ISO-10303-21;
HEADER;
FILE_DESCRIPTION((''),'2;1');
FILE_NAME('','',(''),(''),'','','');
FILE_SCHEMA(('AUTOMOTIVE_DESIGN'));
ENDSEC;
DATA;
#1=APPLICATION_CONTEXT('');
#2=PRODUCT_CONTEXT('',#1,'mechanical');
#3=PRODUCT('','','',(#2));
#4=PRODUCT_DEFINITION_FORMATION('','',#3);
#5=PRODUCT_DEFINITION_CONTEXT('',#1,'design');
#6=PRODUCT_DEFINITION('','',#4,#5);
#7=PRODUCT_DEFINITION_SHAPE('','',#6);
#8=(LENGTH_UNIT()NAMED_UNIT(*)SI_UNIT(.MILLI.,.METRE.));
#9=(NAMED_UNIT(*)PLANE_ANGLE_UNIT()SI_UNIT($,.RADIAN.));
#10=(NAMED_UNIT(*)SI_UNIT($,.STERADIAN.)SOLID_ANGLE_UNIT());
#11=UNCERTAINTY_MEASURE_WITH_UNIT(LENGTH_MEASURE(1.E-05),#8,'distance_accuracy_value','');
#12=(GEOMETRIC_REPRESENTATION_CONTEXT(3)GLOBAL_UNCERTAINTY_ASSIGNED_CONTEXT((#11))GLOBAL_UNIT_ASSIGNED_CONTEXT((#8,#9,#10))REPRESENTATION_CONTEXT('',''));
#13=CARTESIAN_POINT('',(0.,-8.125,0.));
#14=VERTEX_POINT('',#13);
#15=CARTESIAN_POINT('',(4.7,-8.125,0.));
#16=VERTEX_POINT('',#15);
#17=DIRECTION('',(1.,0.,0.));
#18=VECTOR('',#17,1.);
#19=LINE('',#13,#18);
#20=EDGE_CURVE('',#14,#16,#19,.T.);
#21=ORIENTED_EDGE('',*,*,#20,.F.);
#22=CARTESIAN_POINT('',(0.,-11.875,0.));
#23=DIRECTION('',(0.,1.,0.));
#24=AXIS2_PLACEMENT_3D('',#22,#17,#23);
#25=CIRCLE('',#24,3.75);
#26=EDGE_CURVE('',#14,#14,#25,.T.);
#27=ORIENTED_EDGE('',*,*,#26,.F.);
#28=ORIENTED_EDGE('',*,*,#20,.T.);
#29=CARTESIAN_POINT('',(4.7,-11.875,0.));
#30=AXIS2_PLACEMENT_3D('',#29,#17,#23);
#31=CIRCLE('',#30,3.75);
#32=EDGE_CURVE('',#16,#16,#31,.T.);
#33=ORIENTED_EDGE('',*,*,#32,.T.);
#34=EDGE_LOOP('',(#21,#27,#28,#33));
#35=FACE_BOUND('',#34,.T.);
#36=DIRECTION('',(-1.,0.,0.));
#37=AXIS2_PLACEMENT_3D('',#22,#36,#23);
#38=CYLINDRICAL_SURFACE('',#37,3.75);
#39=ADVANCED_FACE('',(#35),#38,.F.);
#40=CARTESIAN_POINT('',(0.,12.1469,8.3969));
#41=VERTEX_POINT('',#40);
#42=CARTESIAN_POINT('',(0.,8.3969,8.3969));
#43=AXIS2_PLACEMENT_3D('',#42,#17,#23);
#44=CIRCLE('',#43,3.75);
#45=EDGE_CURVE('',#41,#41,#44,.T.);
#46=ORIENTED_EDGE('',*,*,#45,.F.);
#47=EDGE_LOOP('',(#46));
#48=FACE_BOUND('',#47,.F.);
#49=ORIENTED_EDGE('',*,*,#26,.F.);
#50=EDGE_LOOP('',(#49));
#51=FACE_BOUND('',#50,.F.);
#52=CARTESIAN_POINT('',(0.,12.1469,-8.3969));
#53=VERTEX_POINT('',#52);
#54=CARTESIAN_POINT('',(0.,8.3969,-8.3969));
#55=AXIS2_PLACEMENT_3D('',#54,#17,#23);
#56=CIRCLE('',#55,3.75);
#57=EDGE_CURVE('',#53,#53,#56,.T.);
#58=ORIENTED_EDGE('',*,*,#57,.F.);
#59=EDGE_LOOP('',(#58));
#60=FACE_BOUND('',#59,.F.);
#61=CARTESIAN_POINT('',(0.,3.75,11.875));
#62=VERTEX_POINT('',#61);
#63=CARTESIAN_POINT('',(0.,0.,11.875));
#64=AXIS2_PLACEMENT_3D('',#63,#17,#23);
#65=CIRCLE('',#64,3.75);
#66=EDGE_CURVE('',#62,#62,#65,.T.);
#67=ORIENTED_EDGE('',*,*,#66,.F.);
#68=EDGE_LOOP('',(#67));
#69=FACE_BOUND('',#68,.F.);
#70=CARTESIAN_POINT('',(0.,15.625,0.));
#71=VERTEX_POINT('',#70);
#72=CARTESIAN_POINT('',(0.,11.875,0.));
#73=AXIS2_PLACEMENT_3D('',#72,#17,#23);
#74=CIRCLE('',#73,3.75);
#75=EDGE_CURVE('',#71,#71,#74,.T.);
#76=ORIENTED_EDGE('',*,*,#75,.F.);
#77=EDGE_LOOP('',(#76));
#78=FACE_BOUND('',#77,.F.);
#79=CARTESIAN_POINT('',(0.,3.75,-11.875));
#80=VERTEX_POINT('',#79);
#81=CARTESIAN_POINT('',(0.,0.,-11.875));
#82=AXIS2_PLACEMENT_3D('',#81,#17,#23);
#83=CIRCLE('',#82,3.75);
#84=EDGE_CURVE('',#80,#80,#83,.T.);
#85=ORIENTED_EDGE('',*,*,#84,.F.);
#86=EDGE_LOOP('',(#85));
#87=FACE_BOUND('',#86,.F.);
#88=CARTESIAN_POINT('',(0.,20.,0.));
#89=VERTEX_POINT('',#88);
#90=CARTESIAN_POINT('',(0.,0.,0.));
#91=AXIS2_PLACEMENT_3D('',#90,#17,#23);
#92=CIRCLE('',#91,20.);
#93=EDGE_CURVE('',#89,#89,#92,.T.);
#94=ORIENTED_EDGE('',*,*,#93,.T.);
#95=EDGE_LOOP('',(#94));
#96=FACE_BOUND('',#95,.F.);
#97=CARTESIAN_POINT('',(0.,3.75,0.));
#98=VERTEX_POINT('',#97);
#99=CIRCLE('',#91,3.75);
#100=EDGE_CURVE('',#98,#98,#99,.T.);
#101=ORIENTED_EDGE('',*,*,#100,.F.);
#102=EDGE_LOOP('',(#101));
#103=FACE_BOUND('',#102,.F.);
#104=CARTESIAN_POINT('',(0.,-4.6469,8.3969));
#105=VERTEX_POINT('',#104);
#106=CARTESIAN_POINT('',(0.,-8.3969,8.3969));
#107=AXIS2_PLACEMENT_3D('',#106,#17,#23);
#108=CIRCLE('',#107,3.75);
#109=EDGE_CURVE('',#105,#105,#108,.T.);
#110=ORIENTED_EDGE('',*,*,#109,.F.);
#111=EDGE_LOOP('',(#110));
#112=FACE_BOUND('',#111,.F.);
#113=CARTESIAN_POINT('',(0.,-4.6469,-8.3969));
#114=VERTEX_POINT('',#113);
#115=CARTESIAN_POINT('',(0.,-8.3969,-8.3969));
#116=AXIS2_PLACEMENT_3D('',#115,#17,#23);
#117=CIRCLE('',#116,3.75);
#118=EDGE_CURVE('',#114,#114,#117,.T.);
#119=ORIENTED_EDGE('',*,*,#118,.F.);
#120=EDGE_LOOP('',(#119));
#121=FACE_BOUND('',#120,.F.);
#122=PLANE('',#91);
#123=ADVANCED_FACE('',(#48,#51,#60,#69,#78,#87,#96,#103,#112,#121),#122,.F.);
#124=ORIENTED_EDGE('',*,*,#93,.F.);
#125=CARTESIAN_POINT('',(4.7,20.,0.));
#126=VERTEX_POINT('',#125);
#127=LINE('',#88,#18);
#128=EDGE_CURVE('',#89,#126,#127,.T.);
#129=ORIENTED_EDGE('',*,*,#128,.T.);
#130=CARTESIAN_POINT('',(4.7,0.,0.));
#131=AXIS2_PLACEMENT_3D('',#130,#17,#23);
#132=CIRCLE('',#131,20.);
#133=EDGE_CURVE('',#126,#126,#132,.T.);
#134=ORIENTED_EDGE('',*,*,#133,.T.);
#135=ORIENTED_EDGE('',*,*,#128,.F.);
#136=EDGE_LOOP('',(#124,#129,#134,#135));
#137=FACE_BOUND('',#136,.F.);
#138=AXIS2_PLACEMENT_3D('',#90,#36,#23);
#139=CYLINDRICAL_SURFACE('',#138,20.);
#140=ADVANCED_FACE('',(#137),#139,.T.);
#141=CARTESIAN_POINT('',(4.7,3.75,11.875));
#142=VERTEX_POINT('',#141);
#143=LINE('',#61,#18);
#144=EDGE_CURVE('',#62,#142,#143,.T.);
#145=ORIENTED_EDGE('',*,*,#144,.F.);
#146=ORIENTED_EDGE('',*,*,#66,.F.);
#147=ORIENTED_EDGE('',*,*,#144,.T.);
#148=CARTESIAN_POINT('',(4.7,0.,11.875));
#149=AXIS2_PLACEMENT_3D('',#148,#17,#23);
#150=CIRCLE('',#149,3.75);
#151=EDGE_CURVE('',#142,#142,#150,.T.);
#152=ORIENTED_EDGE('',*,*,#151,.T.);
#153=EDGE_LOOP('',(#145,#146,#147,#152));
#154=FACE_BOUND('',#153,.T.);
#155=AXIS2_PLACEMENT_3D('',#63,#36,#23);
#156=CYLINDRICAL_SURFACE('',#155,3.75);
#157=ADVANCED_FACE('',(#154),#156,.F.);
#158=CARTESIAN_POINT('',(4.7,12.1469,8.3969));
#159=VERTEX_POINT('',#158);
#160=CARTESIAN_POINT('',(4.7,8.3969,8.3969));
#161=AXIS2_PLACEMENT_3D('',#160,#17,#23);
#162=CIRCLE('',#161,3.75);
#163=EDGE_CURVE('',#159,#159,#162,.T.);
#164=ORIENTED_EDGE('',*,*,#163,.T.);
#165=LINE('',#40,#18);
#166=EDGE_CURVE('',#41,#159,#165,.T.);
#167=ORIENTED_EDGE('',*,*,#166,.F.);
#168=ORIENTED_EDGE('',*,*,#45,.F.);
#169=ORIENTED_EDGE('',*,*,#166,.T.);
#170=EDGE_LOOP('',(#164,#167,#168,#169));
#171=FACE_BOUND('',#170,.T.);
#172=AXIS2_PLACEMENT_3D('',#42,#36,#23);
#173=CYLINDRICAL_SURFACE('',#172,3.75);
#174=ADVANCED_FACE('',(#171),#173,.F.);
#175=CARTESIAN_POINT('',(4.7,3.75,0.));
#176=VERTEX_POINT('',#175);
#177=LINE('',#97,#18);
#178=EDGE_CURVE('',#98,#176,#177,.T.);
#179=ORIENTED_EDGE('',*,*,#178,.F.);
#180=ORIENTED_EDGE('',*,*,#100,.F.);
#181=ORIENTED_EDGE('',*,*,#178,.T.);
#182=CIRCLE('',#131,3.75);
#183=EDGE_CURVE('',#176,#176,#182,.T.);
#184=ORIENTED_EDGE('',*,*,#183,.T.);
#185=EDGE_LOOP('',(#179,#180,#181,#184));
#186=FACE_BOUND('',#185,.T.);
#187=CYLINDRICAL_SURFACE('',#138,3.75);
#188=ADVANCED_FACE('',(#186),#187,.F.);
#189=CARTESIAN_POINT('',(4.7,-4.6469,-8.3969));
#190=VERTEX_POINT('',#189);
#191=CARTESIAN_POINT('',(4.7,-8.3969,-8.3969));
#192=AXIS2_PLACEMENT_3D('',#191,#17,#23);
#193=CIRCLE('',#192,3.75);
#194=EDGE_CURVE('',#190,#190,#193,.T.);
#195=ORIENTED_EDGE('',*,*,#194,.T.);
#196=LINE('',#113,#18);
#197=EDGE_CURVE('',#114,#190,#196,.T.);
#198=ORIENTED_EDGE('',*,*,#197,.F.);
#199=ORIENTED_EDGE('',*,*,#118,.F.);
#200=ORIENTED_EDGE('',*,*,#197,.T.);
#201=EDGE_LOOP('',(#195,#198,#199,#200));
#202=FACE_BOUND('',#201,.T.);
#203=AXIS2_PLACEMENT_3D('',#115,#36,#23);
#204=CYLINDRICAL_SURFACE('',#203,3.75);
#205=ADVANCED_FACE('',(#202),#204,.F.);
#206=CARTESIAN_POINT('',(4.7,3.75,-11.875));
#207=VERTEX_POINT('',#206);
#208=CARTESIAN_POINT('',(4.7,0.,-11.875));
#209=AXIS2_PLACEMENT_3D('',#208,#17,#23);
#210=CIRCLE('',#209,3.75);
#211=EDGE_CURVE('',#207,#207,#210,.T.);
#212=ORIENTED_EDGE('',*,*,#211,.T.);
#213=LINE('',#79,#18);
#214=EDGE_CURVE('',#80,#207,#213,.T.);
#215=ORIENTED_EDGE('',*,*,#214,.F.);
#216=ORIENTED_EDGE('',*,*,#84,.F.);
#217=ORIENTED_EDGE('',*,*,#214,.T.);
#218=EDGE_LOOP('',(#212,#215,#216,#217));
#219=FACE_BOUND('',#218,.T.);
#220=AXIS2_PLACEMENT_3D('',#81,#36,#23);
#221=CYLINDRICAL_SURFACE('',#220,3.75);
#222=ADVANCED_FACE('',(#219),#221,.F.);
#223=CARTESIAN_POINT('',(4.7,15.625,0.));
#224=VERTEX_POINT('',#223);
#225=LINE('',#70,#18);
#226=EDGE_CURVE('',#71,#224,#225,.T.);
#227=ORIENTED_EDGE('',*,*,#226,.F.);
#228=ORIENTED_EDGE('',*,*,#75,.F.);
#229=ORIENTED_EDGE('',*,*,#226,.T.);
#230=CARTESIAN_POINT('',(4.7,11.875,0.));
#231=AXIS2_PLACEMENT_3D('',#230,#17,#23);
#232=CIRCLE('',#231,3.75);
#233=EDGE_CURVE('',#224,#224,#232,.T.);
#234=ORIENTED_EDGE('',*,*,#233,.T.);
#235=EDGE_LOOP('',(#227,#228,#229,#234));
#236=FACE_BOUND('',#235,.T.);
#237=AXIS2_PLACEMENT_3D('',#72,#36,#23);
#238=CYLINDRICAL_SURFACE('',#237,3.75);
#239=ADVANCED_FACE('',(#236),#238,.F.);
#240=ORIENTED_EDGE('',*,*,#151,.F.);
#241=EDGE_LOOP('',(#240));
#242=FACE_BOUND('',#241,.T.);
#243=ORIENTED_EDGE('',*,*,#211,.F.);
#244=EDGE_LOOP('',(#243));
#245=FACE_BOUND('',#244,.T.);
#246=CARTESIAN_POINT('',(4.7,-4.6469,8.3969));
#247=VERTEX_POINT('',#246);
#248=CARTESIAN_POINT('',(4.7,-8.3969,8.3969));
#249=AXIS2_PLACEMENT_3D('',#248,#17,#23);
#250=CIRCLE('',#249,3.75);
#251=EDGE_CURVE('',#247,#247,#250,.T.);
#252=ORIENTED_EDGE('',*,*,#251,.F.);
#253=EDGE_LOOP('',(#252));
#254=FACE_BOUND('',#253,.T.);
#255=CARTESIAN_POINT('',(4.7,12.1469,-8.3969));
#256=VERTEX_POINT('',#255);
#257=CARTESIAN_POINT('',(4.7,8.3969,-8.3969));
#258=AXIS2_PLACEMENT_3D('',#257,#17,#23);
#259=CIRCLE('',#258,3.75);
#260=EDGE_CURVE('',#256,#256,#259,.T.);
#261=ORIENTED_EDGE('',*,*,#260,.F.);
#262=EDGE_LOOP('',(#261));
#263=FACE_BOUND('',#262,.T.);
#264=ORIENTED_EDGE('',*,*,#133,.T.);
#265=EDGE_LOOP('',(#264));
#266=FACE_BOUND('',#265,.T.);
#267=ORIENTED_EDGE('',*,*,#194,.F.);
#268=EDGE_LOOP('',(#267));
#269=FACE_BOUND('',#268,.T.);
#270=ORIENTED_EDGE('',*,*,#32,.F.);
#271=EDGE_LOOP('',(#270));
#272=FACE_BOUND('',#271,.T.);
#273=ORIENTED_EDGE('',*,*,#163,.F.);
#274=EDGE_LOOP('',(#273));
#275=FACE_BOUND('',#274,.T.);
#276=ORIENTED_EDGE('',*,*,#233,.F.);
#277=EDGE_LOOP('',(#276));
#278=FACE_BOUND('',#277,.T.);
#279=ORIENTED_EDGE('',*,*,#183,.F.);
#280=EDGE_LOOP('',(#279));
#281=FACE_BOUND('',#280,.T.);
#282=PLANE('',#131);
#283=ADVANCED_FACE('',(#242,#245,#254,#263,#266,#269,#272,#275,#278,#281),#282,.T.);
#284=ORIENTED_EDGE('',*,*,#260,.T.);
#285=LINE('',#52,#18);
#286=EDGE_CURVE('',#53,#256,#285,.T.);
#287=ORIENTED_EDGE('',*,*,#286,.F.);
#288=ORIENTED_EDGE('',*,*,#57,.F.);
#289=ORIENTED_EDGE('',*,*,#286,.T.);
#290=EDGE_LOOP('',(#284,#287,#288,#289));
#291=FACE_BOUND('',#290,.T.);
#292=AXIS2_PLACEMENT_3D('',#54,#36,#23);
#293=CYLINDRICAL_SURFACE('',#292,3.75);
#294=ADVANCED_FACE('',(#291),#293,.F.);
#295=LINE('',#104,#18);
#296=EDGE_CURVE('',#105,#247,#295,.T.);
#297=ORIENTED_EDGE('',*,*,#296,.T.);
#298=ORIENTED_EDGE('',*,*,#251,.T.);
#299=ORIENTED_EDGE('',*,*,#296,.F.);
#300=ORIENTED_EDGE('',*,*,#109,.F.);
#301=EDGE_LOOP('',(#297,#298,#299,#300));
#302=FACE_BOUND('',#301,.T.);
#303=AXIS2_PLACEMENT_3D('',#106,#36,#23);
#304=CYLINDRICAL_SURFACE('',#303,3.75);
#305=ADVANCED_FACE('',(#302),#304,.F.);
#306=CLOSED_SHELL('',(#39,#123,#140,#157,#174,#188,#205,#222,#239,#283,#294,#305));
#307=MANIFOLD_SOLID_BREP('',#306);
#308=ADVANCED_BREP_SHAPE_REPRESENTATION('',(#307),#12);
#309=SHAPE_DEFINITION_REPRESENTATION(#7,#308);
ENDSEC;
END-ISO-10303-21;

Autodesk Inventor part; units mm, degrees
ref_plane "YZ Plane" through (0, 0, 0) normal (1, 0, 0) x (0, 1, 0)
ref_plane "XZ Plane" through (0, 0, 0) normal (0, 1, 0) x (-1, 0, 0)
ref_plane "XY Plane" through (0, 0, 0) normal (0, 0, 1) x (1, 0, 0)
sketch "Sketch2" plane through (0, 0, 0) normal (1, 0, 0) x (0, 1, 0)
  circle A0 centre (0, 0) radius 20
  circle A1 centre (0, 0) radius 3.75
  circle A2 centre (11.875, 0) radius 3.75
  line L0 (20, 0) -> (15.625, 0) construction
  line L1 (8.125, 0) -> (3.75, 0) construction
  line L2 (0, 0) -> (3.75, 0) construction
  circle A3 centre (0, 11.875) radius 3.75
  circle A4 centre (-11.875, 0) radius 3.75
  circle A5 centre (0, -11.875) radius 3.75
  circle A6 centre (8.3969, 8.3969) radius 3.75
  circle A7 centre (0, 11.875) radius 3.75
  circle A8 centre (-8.3969, 8.3969) radius 3.75
  circle A9 centre (-11.875, 0) radius 3.75
  circle A10 centre (-8.3969, -8.3969) radius 3.75
  circle A11 centre (0, -11.875) radius 3.75
  circle A12 centre (8.3969, -8.3969) radius 3.75
  point P0 (0, 15.625)
  point P1 (0, 8.125)
  point P2 (-15.625, 0)
  point P3 (-8.125, 0)
  point P4 (0, -15.625)
  point P5 (0, -8.125)
  point P6 (11.0485, 11.0485)
  point P7 (5.7452, 5.7452)
  point P8 (0, 15.625)
  point P9 (0, 8.125)
  point P10 (-11.0485, 11.0485)
  point P11 (-5.7452, 5.7452)
  point P12 (-15.625, 0)
  point P13 (-8.125, 0)
  point P14 (-11.0485, -11.0485)
  point P15 (-5.7452, -5.7452)
  point P16 (0, -15.625)
  point P17 (0, -8.125)
  point P18 (11.0485, -11.0485)
  point P19 (5.7452, -5.7452)
  dimension "d0" = 40
  dimension "d1" = 7.5
  dimension "d6" = 360
  dimension "d10" = 360
  dimension "d12" = 7.5
extrude "Extrusion1" add sketch "Sketch2" along normal blind 4.7
properties part number "small_wheel_3DPrint"
